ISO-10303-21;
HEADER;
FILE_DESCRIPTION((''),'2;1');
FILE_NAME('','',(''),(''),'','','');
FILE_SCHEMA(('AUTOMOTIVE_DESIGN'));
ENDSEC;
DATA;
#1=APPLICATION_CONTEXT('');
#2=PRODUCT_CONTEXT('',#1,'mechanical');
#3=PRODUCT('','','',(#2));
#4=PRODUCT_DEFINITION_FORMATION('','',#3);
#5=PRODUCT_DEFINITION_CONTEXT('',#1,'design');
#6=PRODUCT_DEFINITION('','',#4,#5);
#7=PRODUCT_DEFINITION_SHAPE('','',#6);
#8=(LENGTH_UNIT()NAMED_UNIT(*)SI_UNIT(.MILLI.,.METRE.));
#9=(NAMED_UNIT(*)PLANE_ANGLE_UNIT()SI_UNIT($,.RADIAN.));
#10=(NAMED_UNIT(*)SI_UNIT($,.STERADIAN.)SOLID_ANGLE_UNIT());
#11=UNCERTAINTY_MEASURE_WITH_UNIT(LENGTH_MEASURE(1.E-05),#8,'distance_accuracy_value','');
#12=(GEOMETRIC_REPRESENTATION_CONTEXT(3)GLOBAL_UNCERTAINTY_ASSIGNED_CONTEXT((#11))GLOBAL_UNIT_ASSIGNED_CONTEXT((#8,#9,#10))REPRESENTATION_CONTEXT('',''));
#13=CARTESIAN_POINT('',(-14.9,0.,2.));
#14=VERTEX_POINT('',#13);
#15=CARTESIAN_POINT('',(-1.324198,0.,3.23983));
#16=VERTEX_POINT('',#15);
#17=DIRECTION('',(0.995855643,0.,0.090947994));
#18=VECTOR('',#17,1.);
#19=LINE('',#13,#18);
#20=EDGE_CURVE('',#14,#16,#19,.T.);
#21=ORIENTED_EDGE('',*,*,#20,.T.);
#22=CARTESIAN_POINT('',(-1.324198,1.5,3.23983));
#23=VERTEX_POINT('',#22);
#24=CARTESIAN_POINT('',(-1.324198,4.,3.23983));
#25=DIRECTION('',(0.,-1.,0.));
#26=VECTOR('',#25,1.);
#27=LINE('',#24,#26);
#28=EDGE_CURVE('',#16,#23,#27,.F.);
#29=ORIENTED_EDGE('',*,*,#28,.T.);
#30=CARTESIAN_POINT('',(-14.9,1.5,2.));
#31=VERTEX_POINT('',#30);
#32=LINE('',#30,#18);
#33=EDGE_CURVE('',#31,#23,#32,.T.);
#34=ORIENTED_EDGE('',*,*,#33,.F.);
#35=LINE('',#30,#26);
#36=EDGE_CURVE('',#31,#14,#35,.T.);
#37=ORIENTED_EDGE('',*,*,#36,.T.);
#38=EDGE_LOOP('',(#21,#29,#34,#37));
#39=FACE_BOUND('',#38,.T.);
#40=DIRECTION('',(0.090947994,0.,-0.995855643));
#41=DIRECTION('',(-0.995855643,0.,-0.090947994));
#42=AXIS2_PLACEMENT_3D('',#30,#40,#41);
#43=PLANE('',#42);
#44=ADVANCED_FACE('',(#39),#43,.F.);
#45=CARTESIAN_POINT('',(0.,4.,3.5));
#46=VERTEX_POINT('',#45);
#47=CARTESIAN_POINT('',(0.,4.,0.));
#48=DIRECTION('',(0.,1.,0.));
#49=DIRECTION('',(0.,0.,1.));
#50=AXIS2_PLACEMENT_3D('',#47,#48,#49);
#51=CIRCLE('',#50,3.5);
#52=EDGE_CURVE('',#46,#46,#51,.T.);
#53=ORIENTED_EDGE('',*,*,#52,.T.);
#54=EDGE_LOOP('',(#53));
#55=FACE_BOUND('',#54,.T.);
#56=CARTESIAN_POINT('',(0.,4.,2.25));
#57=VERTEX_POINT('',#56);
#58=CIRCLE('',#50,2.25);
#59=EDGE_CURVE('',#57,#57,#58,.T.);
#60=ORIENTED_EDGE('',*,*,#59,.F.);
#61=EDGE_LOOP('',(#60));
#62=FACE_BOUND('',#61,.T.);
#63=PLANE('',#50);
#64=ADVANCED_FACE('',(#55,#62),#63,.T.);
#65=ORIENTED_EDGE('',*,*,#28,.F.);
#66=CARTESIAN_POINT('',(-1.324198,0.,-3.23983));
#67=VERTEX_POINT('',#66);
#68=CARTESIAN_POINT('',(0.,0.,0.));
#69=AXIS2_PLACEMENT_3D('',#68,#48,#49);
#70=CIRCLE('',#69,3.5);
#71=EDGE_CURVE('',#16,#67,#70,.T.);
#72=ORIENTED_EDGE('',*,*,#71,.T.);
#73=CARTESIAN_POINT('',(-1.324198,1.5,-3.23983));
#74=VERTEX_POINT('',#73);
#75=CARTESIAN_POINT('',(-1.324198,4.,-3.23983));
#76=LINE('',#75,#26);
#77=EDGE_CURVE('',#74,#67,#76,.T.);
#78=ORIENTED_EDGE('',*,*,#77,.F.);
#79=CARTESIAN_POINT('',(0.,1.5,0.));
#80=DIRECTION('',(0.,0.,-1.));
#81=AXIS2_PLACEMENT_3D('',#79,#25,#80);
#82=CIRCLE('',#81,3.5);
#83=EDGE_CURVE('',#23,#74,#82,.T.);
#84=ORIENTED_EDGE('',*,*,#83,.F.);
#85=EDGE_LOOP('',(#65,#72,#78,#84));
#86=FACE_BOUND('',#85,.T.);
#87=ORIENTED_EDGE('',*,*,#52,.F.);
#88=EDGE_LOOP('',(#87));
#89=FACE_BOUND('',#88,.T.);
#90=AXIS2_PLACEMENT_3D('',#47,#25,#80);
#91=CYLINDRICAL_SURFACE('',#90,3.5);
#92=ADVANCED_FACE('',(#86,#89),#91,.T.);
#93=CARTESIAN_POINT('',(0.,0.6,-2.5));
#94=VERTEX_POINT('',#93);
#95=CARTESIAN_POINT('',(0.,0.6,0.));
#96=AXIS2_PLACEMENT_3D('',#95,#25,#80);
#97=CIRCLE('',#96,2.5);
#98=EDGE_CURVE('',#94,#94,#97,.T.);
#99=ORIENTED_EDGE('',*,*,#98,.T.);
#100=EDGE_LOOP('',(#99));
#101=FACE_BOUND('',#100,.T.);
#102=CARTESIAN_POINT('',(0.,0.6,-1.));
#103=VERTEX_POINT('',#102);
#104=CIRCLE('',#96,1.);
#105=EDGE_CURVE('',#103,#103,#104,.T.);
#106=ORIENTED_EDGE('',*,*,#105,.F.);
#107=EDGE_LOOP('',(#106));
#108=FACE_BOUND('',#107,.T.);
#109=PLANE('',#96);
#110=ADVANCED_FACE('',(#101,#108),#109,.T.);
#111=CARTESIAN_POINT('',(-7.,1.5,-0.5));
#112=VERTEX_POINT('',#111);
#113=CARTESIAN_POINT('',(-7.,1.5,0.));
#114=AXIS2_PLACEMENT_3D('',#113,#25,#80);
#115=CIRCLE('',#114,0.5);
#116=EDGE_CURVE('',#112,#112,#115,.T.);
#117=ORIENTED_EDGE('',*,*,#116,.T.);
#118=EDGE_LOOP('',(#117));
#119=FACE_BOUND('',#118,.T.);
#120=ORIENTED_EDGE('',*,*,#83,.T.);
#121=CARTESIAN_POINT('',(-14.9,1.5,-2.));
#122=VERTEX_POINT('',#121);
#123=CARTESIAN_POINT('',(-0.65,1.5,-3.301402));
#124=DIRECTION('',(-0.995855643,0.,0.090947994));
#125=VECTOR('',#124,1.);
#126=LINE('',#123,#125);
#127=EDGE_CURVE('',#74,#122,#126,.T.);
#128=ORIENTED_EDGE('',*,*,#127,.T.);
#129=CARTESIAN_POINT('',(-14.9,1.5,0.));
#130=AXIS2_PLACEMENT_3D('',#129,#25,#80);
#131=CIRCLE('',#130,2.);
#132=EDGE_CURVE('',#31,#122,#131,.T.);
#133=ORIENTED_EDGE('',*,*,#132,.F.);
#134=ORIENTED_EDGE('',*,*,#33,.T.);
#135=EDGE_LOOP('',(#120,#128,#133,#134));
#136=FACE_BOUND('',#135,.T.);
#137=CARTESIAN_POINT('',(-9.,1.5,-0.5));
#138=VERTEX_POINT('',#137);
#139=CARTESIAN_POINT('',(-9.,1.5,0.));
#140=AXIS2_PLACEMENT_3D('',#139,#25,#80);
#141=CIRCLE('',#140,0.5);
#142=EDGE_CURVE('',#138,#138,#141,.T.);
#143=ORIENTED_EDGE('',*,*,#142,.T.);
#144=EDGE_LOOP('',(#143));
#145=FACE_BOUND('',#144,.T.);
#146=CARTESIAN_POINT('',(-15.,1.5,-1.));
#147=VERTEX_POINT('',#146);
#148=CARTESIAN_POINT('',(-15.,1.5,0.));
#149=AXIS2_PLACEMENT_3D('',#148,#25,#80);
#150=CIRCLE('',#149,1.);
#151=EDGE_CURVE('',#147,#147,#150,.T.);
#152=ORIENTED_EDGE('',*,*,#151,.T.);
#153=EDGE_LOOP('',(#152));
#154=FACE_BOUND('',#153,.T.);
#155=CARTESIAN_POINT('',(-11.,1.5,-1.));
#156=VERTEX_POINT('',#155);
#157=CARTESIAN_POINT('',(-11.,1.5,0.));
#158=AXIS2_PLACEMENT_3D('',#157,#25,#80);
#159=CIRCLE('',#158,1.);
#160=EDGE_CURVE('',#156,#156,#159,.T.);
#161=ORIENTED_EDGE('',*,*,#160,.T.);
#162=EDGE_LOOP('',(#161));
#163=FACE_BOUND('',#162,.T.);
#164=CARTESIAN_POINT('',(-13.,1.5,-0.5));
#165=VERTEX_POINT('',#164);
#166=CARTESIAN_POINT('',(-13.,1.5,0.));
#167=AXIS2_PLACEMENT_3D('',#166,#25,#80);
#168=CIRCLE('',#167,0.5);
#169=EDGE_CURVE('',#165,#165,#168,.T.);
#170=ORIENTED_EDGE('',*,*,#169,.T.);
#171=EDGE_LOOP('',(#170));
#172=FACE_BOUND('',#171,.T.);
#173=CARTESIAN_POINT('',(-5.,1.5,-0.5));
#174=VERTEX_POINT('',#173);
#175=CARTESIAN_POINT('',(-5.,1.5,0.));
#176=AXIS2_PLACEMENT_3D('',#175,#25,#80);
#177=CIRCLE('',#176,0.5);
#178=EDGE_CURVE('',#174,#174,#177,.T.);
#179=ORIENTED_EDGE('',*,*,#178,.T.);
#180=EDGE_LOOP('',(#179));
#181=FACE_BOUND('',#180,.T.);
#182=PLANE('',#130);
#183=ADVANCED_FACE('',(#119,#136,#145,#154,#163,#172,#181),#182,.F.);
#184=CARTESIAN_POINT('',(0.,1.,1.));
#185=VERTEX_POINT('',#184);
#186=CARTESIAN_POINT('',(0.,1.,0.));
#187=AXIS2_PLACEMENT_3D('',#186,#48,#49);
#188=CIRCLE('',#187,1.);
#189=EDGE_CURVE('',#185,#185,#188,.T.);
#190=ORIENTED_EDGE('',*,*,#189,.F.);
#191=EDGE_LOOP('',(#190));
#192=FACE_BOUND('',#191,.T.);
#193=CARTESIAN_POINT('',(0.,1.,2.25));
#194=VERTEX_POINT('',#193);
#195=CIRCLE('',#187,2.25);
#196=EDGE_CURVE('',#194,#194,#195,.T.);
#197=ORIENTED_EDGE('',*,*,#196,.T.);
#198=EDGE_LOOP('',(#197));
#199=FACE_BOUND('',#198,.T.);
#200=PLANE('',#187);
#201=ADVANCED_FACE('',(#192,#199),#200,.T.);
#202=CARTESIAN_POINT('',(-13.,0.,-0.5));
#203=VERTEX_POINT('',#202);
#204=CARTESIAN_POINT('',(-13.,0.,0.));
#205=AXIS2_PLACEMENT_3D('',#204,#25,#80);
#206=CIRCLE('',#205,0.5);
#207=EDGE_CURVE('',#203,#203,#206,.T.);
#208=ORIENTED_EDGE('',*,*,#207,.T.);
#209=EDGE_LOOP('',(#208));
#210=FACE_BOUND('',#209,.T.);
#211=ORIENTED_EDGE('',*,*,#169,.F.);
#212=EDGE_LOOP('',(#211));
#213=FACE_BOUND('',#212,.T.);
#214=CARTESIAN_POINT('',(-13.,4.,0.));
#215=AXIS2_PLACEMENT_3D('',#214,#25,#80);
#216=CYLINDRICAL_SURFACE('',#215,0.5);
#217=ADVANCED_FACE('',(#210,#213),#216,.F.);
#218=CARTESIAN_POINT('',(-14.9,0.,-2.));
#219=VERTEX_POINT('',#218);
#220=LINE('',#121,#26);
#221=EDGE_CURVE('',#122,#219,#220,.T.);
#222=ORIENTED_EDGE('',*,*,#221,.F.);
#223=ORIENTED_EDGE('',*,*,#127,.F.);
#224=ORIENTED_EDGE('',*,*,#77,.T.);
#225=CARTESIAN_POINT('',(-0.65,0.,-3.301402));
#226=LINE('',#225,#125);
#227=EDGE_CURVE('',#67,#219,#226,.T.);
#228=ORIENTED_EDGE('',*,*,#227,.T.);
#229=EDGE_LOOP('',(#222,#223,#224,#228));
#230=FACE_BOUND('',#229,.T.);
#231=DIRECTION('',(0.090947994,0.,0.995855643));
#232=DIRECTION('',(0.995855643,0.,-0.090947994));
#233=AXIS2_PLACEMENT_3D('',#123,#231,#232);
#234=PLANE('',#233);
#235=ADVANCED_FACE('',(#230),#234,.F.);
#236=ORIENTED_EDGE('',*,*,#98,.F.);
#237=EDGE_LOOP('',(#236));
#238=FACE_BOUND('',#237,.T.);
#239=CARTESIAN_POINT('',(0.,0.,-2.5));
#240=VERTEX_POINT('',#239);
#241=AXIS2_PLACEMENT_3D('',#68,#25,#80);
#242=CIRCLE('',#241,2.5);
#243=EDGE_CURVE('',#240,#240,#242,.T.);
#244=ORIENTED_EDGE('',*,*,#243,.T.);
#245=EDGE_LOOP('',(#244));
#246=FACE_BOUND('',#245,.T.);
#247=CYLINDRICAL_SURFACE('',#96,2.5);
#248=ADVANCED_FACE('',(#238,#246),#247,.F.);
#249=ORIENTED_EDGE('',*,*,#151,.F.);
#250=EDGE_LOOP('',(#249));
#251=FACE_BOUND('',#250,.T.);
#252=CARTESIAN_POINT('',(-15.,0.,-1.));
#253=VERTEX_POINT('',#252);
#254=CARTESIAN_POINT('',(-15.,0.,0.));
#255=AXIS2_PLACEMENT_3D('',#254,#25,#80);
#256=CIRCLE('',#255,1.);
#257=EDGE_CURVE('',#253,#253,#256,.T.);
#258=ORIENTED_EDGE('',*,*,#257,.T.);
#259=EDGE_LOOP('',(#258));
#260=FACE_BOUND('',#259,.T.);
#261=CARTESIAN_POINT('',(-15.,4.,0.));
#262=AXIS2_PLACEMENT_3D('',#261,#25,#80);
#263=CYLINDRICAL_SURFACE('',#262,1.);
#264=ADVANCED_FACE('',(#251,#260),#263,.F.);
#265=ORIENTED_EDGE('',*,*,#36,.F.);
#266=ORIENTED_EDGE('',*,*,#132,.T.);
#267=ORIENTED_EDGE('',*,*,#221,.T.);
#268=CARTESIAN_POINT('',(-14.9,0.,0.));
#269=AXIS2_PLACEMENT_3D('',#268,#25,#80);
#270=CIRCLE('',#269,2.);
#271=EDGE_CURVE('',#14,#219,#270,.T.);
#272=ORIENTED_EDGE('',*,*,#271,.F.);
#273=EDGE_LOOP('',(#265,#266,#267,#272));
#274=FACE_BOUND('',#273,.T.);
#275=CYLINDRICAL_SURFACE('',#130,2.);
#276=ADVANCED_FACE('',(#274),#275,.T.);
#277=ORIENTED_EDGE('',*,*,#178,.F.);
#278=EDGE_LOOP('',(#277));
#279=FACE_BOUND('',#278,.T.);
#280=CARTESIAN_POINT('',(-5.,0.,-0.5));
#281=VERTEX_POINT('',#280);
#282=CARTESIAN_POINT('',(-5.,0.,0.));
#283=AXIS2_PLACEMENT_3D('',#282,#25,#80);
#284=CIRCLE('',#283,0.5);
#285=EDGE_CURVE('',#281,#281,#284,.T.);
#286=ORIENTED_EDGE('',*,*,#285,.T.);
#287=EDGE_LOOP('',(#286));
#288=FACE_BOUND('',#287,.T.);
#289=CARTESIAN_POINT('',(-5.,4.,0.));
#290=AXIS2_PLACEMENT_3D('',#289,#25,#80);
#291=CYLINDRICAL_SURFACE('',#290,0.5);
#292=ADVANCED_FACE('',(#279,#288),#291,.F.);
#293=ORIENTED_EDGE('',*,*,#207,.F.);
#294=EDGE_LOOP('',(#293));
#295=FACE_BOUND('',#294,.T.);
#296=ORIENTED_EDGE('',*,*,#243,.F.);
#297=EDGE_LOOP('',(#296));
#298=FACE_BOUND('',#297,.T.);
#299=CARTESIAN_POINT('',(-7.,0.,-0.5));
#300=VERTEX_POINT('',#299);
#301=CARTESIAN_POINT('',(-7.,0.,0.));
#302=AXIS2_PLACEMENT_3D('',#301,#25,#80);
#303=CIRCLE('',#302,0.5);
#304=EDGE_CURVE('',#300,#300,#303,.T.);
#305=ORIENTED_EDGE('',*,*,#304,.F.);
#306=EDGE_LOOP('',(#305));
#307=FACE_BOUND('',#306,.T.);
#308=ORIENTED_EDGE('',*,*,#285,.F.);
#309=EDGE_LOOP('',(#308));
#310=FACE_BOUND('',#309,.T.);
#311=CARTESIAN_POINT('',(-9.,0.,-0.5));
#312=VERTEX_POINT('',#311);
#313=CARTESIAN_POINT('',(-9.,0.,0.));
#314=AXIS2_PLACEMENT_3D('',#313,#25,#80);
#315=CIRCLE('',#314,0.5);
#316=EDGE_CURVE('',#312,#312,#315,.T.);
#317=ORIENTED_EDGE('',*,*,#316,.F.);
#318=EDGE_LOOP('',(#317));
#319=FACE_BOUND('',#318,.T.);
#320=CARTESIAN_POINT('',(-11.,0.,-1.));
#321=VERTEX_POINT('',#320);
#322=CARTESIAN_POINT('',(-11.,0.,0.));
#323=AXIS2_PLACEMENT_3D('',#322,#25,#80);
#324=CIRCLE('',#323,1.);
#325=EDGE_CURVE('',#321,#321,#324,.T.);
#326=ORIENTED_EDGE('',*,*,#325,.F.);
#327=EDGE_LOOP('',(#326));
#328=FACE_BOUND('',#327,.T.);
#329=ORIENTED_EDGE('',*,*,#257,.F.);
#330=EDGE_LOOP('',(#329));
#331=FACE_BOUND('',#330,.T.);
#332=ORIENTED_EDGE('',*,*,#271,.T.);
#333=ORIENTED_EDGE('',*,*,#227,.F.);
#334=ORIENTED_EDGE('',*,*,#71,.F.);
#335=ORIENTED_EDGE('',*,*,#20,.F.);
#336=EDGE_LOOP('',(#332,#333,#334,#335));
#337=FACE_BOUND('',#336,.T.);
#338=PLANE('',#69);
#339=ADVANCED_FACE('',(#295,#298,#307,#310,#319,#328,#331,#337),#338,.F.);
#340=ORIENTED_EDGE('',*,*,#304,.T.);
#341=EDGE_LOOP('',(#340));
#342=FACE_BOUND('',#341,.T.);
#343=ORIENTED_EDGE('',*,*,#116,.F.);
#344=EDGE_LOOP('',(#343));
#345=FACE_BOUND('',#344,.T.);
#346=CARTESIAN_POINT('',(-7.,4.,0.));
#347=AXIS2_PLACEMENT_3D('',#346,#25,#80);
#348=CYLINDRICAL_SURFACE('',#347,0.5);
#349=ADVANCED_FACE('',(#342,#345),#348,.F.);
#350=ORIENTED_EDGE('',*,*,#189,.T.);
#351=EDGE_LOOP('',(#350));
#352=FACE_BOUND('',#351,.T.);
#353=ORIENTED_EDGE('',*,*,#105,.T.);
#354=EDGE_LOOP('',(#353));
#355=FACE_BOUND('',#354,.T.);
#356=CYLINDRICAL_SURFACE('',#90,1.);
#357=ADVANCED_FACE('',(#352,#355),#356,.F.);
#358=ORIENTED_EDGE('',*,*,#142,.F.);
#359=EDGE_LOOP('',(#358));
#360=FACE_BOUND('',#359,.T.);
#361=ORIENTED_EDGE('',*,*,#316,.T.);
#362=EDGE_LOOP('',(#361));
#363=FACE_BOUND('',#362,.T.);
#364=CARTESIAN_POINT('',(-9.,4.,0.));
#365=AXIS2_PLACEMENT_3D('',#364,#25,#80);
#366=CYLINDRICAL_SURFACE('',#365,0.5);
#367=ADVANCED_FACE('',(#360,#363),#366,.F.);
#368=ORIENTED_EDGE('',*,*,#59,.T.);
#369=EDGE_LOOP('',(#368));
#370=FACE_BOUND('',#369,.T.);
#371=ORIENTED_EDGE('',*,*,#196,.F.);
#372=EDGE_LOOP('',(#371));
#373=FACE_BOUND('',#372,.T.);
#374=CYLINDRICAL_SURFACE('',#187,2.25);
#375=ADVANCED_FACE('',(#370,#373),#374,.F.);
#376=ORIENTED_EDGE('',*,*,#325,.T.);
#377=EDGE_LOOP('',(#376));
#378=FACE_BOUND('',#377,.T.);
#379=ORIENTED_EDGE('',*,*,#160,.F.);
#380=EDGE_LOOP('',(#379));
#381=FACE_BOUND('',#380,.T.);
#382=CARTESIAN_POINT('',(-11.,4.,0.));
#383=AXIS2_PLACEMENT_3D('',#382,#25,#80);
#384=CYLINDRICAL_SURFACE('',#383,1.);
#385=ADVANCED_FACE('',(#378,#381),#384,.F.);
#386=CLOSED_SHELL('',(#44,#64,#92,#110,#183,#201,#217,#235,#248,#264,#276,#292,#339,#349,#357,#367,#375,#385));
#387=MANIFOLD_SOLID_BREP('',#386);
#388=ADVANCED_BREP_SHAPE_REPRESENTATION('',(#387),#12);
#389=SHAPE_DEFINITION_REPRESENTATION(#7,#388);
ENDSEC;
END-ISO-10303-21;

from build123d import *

# Parameters (mm, degrees)
SKETCH1_R           = 3.5
BOSS_EXTRUDE1_DEPTH = 4
BOSS_EXTRUDE2_DEPTH = 1.5
SKETCH7_R           = 2.5
CUT_EXTRUDE4_DEPTH  = 0.6
SKETCH8_R           = 2.25
CUT_EXTRUDE5_DEPTH  = 3
SKETCH9_R           = 1
CUT_EXTRUDE6_DEPTH  = 18.590338257
SKETCH10_R          = 1
SKETCH10_R_2        = 0.5
CUT_EXTRUDE7_DEPTH  = 18.716094378


with BuildPart() as part:
    # Sketch1 → Boss-Extrude1 (new body)
    with BuildSketch(Plane(origin=(0, 0, 0), x_dir=(1, 0, 0), z_dir=(0, 1, 0))):
        with Locations(Location((0, 0, 0), (0, 0, 270))):
            Circle(SKETCH1_R)
    extrude(amount=BOSS_EXTRUDE1_DEPTH)

    # Sketch6 → Boss-Extrude2 (add)
    with BuildSketch(Plane.XZ):
        with BuildLine():
            Line((-14.9, 2), (-0.65, 3.301402389))
            Line((-0.65, 3.301402389), (0, 3.5))
            Line((0, 3.5), (0, -3.5))
            Line((0, -3.5), (-0.65, -3.301402389))
            Line((-0.65, -3.301402389), (-14.9, -2))
            ThreePointArc((-14.9, -2), (-16.9, 0), (-14.9, 2))
        make_face()
    extrude(amount=-BOSS_EXTRUDE2_DEPTH)

    # Sketch7 → Cut-Extrude4 (cut)
    with BuildSketch(Plane.XZ):
        with Locations(Location((0, 0, 0), (0, 0, 270))):
            Circle(SKETCH7_R)
    extrude(amount=-CUT_EXTRUDE4_DEPTH, mode=Mode.SUBTRACT)

    # Sketch8 → Cut-Extrude5 (cut)
    with BuildSketch(Plane(origin=(0, 4, 0), x_dir=(1, 0, 0), z_dir=(0, 1, 0))):
        with Locations(Location((0, 0, 0), (0, 0, 270))):
            Circle(SKETCH8_R)
    extrude(amount=-CUT_EXTRUDE5_DEPTH, mode=Mode.SUBTRACT)

    # Sketch9 → Cut-Extrude6 (cut, through all)
    with BuildSketch(Plane.XZ.offset(-0.6)):
        with Locations(Location((0, 0, 0), (0, 0, 270))):
            Circle(SKETCH9_R)
    extrude(amount=-CUT_EXTRUDE6_DEPTH, mode=Mode.SUBTRACT)

    # Sketch10 → Cut-Extrude7 (cut, through all)
    with BuildSketch(Plane.XZ):
        with Locations(Location((-15, 0, 0), (0, 0, 270))):
            Circle(SKETCH10_R)
        with Locations(Location((-13, 0, 0), (0, 0, 270))):
            Circle(SKETCH10_R_2)
        with Locations(Location((-11, 0, 0), (0, 0, 270))):
            Circle(SKETCH10_R)
        with Locations(Location((-9, 0, 0), (0, 0, 270))):
            Circle(SKETCH10_R_2)
        with Locations(Location((-7, 0, 0), (0, 0, 270))):
            Circle(SKETCH10_R_2)
        with Locations(Location((-5, 0, 0), (0, 0, 270))):
            Circle(SKETCH10_R_2)
    extrude(amount=-CUT_EXTRUDE7_DEPTH, mode=Mode.SUBTRACT)


solid = part.part
